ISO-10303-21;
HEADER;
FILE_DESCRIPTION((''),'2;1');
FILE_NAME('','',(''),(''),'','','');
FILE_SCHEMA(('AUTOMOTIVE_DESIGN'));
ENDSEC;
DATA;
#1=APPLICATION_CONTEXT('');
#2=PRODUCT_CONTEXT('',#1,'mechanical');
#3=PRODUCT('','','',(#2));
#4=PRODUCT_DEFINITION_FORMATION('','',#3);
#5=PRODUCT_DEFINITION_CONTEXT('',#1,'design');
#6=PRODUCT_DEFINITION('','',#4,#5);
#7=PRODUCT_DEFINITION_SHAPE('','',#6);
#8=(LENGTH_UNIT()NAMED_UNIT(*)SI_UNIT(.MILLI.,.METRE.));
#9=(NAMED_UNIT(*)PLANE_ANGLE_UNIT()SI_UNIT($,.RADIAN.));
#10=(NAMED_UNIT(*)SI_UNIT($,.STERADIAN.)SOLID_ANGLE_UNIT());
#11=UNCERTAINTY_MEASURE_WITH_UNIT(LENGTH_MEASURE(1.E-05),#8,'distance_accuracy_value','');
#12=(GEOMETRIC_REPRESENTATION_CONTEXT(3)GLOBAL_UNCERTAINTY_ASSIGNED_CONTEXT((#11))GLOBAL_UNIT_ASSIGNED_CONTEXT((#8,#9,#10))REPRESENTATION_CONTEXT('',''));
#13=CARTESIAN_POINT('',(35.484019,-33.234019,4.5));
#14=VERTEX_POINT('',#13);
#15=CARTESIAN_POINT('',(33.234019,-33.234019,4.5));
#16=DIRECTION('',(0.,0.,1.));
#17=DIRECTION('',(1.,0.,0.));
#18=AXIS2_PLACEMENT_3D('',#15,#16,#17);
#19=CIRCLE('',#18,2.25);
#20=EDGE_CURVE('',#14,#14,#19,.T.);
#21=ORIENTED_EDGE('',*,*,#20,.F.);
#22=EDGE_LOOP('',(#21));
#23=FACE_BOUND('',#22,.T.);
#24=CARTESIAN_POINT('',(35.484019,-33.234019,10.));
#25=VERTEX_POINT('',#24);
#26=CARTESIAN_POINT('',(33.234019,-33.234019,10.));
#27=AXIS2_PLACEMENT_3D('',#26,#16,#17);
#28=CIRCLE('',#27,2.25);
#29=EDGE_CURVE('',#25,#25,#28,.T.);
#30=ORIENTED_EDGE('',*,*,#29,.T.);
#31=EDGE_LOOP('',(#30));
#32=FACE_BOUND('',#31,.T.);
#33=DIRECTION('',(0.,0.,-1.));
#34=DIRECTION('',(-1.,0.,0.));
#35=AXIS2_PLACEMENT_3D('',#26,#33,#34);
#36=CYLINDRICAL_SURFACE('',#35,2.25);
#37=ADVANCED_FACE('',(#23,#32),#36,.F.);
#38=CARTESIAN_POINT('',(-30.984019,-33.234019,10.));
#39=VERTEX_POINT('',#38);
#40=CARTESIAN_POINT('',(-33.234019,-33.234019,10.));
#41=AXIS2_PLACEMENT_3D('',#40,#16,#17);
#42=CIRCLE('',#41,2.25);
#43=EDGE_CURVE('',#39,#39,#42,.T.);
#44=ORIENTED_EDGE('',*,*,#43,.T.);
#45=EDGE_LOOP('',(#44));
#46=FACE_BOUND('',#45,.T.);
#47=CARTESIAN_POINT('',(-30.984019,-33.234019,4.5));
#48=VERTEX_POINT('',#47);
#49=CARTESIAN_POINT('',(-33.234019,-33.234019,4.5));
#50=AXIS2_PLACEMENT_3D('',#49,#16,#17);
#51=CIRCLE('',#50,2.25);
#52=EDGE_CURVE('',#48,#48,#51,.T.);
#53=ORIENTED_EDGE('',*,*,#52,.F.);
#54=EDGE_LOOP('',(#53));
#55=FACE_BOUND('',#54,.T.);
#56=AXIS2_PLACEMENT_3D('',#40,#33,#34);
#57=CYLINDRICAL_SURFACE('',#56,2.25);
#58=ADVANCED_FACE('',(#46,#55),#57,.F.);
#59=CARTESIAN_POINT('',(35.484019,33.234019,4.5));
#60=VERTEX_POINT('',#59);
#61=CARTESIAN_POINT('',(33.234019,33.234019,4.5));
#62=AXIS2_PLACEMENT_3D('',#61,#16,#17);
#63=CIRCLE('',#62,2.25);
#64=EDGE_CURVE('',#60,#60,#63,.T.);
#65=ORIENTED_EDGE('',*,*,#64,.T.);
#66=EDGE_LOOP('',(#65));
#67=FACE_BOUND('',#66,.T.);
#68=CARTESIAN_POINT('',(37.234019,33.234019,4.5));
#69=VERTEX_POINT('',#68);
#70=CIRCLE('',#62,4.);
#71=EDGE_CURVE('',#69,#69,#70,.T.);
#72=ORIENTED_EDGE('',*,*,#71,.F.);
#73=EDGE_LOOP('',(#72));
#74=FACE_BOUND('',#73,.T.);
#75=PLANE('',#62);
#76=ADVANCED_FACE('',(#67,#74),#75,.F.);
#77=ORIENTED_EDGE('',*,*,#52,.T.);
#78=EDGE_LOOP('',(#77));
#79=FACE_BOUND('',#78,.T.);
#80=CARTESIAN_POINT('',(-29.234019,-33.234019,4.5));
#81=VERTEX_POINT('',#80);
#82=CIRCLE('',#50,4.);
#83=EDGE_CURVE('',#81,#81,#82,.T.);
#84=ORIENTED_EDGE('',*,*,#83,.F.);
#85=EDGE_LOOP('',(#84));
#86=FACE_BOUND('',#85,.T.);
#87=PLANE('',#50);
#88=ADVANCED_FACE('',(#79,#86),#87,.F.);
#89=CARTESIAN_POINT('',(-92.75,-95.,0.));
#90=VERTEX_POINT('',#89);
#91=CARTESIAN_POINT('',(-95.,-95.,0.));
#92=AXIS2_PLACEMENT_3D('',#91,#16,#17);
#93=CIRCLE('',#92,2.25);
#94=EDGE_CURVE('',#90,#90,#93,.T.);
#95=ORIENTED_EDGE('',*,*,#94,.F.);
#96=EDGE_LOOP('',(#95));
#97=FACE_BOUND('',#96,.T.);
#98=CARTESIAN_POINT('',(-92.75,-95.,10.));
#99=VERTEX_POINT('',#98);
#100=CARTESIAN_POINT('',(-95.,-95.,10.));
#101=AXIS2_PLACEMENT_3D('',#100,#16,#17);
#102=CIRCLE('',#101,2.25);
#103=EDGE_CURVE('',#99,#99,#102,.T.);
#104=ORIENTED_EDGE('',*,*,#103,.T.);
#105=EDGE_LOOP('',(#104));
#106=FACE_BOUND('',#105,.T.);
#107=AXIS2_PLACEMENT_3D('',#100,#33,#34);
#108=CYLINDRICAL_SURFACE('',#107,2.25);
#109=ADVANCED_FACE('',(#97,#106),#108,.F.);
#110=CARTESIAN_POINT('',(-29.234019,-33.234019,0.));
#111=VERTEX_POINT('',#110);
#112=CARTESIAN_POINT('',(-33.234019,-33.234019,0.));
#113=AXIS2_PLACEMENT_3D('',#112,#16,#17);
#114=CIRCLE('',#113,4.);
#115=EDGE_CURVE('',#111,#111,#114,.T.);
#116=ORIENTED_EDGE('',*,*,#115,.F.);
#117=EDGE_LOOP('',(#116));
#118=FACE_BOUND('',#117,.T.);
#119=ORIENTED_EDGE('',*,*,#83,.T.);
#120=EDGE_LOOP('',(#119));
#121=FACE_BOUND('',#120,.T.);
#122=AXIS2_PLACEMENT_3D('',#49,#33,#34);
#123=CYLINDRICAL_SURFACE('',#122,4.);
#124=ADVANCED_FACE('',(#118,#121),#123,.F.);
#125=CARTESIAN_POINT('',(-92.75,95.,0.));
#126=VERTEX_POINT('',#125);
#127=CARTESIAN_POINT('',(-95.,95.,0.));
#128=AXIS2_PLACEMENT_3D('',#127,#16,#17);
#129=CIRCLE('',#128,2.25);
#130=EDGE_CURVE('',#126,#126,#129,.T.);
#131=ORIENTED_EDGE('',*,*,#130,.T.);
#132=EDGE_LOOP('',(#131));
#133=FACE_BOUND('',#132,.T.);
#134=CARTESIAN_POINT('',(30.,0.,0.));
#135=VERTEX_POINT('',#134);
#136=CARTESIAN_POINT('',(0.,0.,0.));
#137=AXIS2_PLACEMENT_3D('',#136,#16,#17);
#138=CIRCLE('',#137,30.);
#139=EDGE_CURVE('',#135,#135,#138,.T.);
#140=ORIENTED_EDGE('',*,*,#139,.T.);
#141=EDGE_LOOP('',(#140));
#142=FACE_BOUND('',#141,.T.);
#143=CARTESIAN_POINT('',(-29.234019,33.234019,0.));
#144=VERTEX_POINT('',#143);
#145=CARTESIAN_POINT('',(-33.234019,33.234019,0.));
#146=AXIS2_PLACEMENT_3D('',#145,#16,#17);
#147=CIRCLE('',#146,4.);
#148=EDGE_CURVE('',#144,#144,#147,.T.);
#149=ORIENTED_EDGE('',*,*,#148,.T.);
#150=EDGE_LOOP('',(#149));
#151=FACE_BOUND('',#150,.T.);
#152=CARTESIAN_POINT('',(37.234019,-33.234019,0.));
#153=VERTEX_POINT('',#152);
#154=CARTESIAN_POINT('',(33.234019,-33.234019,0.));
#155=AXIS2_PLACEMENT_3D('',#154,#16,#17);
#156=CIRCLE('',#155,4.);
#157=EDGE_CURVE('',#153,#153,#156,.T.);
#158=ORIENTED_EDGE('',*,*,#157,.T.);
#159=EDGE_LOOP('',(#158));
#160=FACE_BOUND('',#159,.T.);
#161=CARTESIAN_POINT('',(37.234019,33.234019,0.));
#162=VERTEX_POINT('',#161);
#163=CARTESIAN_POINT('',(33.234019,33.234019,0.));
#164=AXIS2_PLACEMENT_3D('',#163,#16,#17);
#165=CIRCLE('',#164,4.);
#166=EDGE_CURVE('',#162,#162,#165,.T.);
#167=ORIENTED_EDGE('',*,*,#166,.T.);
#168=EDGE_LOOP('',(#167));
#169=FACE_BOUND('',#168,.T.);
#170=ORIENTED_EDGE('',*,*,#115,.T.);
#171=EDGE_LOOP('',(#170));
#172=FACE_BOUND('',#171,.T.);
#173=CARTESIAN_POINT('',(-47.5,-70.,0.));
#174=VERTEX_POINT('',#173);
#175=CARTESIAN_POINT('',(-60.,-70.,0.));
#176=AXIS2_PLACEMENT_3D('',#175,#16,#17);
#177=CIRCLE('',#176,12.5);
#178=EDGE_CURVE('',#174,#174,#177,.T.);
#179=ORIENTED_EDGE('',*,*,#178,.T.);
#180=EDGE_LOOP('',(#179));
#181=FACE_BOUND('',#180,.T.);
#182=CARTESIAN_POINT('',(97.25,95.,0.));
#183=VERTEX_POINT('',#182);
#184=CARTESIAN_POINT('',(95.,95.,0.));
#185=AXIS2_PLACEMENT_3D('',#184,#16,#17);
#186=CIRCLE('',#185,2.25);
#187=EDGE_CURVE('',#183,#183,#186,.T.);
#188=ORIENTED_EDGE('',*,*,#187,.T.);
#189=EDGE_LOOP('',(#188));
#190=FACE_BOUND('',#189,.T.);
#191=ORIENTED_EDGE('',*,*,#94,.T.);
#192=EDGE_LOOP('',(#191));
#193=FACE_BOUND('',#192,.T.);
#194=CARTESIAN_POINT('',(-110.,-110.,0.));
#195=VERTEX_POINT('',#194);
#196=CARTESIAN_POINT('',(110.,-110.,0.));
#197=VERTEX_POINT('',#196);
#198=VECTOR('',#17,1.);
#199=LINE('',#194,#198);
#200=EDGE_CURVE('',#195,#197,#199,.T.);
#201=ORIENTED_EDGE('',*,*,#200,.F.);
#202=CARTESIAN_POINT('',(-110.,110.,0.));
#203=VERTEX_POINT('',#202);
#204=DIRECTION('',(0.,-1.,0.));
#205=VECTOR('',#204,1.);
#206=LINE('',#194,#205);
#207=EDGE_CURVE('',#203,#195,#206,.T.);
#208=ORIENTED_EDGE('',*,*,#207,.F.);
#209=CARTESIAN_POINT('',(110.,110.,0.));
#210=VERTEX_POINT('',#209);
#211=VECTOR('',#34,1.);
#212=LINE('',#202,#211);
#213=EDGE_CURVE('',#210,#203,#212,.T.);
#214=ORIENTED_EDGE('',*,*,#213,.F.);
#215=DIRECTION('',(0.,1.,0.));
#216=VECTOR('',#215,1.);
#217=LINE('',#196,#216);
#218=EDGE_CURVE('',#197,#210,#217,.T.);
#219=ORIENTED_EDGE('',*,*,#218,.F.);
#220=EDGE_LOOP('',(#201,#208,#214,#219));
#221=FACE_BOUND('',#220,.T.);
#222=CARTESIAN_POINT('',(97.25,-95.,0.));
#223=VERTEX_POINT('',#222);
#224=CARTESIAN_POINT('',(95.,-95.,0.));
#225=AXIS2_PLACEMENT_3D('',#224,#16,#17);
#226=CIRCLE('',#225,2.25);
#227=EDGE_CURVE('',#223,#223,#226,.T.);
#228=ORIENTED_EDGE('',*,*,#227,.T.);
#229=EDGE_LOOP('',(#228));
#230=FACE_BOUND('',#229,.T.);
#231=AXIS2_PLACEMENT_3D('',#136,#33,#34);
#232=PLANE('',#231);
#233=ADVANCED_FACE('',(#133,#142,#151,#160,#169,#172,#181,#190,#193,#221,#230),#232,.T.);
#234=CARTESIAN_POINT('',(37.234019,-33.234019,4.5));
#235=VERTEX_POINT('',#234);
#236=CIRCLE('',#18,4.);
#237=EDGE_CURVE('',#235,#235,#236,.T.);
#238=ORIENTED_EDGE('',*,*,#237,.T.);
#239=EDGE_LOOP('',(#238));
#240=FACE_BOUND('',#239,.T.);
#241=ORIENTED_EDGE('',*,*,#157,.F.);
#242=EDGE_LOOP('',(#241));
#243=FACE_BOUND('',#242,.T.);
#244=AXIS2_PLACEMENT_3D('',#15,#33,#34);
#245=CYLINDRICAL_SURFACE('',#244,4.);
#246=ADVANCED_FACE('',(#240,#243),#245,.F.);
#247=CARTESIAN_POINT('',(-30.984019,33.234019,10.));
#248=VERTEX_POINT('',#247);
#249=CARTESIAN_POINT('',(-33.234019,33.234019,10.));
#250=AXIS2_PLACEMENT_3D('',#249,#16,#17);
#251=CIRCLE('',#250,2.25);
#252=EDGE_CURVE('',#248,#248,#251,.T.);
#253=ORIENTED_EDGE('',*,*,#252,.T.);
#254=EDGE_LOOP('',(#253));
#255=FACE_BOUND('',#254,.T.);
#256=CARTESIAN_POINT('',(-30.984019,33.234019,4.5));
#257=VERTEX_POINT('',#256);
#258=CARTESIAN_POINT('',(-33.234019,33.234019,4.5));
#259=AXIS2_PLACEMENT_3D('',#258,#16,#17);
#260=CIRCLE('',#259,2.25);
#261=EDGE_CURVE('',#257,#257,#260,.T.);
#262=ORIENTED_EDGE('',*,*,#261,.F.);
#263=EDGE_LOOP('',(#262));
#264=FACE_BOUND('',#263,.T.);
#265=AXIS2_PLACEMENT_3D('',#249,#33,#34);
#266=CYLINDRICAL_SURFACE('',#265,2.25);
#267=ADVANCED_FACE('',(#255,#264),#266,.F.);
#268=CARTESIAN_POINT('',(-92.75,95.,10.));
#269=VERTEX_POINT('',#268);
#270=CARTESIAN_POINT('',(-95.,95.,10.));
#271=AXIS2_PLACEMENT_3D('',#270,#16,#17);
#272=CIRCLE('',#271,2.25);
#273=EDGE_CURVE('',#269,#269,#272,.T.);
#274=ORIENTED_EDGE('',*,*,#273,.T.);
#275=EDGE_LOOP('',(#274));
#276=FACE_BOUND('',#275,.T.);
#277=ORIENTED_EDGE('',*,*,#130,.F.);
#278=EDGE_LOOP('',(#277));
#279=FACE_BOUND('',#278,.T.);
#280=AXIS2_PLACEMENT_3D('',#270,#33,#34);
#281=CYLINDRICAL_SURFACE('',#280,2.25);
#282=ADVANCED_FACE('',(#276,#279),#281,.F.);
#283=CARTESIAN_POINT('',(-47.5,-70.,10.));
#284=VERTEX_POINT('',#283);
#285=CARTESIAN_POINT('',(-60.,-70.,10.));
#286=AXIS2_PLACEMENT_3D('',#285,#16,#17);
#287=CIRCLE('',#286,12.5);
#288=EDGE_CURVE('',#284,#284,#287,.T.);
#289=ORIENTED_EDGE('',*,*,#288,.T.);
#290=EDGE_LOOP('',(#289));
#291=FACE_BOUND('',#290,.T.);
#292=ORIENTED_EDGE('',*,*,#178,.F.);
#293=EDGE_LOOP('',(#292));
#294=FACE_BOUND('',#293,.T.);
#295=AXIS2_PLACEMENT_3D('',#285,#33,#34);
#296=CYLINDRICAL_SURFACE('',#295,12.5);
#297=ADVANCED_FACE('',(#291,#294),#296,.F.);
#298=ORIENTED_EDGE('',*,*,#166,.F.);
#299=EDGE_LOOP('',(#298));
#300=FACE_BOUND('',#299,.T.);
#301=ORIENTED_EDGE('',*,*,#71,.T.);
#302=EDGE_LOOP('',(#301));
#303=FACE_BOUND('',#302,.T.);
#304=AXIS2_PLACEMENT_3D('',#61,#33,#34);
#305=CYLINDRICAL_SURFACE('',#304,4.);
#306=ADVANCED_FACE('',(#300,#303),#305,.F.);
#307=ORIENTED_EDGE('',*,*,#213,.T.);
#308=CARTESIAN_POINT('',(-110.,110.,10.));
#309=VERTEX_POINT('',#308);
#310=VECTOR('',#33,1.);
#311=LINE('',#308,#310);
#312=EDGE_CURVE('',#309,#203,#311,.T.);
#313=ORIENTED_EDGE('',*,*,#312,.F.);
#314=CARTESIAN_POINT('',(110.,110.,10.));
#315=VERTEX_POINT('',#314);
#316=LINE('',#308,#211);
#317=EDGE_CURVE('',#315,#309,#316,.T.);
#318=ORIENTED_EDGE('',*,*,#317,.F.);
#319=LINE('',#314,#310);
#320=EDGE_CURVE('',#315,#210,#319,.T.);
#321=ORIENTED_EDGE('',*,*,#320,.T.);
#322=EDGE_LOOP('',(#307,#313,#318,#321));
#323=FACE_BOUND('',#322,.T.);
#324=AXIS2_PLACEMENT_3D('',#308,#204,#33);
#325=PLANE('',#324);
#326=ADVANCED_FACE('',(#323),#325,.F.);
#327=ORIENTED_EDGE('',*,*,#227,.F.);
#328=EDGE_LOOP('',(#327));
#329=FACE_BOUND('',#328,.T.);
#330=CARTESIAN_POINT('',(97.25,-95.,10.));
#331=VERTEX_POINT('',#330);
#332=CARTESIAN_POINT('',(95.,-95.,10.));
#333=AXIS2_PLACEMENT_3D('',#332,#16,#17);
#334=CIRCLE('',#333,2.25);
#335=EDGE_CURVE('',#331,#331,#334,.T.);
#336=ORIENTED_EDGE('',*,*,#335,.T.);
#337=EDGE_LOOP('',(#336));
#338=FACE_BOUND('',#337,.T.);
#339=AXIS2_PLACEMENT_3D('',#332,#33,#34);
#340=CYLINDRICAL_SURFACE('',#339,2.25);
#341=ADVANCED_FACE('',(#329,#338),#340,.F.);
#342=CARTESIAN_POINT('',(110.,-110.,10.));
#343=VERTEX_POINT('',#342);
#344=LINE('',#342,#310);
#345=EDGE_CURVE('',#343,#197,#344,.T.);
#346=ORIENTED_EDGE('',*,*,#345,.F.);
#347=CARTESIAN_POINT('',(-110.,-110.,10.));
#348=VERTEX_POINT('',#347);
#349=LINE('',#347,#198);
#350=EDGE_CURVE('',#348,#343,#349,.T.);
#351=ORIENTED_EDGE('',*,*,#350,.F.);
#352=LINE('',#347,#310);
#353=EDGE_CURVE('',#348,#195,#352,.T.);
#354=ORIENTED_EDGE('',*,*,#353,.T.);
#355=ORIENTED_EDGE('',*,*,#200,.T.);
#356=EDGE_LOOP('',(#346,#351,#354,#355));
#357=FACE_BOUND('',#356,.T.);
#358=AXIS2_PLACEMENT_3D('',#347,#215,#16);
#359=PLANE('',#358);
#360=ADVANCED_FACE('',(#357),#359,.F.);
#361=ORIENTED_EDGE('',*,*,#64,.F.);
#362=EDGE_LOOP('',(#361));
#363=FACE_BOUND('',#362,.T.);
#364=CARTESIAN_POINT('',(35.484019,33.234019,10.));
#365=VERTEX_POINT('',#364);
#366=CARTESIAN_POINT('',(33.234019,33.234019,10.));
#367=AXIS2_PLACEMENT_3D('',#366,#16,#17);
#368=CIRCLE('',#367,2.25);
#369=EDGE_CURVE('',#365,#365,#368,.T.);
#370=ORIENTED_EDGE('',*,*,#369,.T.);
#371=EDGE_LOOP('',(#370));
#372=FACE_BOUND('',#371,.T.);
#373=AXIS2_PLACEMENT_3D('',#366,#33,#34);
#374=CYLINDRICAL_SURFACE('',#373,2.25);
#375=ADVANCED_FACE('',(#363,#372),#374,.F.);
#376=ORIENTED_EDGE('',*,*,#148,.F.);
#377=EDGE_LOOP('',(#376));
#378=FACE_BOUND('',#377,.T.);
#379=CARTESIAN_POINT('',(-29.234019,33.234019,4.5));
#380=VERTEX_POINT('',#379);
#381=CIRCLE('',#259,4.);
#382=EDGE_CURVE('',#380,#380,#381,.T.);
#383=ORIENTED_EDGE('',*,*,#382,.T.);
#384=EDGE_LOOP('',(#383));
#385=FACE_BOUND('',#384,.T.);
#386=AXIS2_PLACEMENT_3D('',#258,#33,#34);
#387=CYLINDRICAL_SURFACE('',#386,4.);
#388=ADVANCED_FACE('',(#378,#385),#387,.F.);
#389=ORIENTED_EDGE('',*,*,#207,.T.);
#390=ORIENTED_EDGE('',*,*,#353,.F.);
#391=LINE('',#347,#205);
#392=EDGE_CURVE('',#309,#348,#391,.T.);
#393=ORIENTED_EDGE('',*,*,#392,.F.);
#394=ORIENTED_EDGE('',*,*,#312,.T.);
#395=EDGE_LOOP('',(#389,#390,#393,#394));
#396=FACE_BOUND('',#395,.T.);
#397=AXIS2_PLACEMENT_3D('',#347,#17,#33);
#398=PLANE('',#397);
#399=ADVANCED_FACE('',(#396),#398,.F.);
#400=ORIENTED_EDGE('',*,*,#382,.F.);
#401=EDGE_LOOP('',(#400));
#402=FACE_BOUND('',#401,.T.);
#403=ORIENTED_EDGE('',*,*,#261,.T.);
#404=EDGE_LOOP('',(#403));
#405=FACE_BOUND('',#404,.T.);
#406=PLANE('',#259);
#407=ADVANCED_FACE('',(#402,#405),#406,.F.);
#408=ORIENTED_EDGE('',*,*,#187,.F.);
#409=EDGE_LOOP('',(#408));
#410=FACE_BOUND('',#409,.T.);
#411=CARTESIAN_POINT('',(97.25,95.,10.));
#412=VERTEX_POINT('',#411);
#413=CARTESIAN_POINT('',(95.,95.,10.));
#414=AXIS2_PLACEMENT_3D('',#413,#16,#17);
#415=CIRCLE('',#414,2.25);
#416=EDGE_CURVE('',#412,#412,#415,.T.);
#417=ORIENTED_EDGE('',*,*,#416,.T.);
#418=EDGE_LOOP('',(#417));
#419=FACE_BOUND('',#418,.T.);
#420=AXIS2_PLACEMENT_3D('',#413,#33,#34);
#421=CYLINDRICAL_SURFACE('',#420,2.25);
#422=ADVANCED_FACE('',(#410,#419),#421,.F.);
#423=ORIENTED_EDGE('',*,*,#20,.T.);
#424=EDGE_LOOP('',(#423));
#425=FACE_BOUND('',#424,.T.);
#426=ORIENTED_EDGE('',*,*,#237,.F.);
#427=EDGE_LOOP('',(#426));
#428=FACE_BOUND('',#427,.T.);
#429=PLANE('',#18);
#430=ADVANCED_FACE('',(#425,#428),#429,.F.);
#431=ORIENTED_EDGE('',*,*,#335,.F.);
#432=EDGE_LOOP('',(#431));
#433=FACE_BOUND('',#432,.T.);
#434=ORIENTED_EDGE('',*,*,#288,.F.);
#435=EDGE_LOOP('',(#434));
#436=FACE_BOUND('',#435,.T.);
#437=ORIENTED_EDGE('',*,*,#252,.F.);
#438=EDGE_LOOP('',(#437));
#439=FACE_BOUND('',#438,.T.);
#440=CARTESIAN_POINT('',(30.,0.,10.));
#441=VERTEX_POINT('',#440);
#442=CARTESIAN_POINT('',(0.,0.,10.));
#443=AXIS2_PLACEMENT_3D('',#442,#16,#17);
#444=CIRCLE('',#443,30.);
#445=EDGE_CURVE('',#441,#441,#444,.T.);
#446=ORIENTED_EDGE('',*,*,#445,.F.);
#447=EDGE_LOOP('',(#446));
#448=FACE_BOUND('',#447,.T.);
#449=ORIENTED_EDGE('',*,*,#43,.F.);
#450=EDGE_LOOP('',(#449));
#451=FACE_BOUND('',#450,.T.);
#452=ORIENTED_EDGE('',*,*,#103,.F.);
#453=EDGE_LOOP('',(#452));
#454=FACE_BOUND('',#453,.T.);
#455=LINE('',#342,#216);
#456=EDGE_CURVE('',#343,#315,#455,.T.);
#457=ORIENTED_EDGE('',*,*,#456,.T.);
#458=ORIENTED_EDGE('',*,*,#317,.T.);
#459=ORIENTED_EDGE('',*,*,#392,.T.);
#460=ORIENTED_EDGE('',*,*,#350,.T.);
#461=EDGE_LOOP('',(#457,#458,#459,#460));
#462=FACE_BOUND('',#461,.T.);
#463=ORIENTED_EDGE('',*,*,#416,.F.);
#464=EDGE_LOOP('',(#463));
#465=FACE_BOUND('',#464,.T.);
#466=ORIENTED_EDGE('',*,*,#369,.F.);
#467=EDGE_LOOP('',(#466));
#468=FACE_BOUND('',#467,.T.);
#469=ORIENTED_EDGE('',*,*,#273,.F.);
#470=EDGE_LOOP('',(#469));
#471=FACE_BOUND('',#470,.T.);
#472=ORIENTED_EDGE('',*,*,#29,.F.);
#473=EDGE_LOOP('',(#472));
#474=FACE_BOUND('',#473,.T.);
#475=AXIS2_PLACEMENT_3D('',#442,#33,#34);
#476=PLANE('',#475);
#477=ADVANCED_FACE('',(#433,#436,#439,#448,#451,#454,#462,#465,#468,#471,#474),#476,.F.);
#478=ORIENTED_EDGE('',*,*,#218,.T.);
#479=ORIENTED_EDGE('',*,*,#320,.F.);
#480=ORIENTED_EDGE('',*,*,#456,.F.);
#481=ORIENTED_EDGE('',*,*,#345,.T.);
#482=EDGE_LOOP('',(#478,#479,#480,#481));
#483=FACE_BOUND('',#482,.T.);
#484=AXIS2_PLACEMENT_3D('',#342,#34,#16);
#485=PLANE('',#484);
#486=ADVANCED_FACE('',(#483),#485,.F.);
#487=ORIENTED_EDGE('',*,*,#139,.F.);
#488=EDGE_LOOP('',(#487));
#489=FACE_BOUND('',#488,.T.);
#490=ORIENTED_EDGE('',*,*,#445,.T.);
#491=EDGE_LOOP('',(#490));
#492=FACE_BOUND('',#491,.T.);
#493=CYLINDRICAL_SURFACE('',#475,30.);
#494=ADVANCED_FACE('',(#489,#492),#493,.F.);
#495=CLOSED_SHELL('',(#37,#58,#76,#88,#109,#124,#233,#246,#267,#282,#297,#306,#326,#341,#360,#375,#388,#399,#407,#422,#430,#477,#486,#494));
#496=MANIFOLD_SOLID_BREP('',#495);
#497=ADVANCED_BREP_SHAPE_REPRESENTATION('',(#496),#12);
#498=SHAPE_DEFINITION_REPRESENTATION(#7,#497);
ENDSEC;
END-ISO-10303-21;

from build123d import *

# Parameters (mm, degrees)
SK_PLACA_W                         = 220
SK_PLACA_H                         = 220
PLACA_DEPTH                        = 10
SK_PASO_CABLES_R                   = 30
PASO_CABLES_DEPTH                  = 10
SK_PASANTES_M4_PEDESTAL_R          = 2.25
PASANTES_M4_PEDESTAL_DEPTH         = 10
SK_CAJAS_M4_INFERIORES_R           = 4
CAJAS_M4_INFERIORES_DEPTH          = 4.5
SK_PASANTES_M4_SEPARADORES_CAJA_R  = 2.25
PASANTES_M4_SEPARADORES_CAJA_DEPTH = 10
SK_PASO_CABLES_CAJA_R              = 12.5
PASO_CABLES_CAJA_DEPTH             = 10


with BuildPart() as part:
    # Sk_Placa → Placa (new body)
    with BuildSketch(Plane.XY):
        Rectangle(SK_PLACA_W, SK_PLACA_H)
    extrude(amount=PLACA_DEPTH)

    # Sk_Paso_cables → Paso_cables (cut)
    with BuildSketch(Plane.XY):
        Circle(SK_PASO_CABLES_R)
    extrude(amount=PASO_CABLES_DEPTH, mode=Mode.SUBTRACT)

    # Sk_Pasantes_M4_pedestal → Pasantes_M4_pedestal (cut)
    with BuildSketch(Plane.XY):
        with Locations((33.234018716, 33.234018716)):
            Circle(SK_PASANTES_M4_PEDESTAL_R)
        with Locations((-33.234018716, 33.234018716)):
            Circle(SK_PASANTES_M4_PEDESTAL_R)
        with Locations((-33.234018716, -33.234018716)):
            Circle(SK_PASANTES_M4_PEDESTAL_R)
        with Locations((33.234018716, -33.234018716)):
            Circle(SK_PASANTES_M4_PEDESTAL_R)
    extrude(amount=PASANTES_M4_PEDESTAL_DEPTH, mode=Mode.SUBTRACT)

    # Sk_Cajas_M4_inferiores → Cajas_M4_inferiores (cut)
    with BuildSketch(Plane.XY):
        with Locations((33.234018716, 33.234018716)):
            Circle(SK_CAJAS_M4_INFERIORES_R)
        with Locations((-33.234018716, 33.234018716)):
            Circle(SK_CAJAS_M4_INFERIORES_R)
        with Locations((-33.234018716, -33.234018716)):
            Circle(SK_CAJAS_M4_INFERIORES_R)
        with Locations((33.234018716, -33.234018716)):
            Circle(SK_CAJAS_M4_INFERIORES_R)
    extrude(amount=CAJAS_M4_INFERIORES_DEPTH, mode=Mode.SUBTRACT)

    # Sk_Pasantes_M4_separadores_caja → Pasantes_M4_separadores_caja (cut)
    with BuildSketch(Plane.XY):
        with Locations((-95, -95)):
            Circle(SK_PASANTES_M4_SEPARADORES_CAJA_R)
        with Locations((-95, 95)):
            Circle(SK_PASANTES_M4_SEPARADORES_CAJA_R)
        with Locations((95, -95)):
            Circle(SK_PASANTES_M4_SEPARADORES_CAJA_R)
        with Locations((95, 95)):
            Circle(SK_PASANTES_M4_SEPARADORES_CAJA_R)
    extrude(amount=PASANTES_M4_SEPARADORES_CAJA_DEPTH, mode=Mode.SUBTRACT)

    # Sk_Paso_cables_caja → Paso_cables_caja (cut)
    with BuildSketch(Plane.XY):
        with Locations((-60, -70)):
            Circle(SK_PASO_CABLES_CAJA_R)
    extrude(amount=PASO_CABLES_CAJA_DEPTH, mode=Mode.SUBTRACT)


solid = part.part
